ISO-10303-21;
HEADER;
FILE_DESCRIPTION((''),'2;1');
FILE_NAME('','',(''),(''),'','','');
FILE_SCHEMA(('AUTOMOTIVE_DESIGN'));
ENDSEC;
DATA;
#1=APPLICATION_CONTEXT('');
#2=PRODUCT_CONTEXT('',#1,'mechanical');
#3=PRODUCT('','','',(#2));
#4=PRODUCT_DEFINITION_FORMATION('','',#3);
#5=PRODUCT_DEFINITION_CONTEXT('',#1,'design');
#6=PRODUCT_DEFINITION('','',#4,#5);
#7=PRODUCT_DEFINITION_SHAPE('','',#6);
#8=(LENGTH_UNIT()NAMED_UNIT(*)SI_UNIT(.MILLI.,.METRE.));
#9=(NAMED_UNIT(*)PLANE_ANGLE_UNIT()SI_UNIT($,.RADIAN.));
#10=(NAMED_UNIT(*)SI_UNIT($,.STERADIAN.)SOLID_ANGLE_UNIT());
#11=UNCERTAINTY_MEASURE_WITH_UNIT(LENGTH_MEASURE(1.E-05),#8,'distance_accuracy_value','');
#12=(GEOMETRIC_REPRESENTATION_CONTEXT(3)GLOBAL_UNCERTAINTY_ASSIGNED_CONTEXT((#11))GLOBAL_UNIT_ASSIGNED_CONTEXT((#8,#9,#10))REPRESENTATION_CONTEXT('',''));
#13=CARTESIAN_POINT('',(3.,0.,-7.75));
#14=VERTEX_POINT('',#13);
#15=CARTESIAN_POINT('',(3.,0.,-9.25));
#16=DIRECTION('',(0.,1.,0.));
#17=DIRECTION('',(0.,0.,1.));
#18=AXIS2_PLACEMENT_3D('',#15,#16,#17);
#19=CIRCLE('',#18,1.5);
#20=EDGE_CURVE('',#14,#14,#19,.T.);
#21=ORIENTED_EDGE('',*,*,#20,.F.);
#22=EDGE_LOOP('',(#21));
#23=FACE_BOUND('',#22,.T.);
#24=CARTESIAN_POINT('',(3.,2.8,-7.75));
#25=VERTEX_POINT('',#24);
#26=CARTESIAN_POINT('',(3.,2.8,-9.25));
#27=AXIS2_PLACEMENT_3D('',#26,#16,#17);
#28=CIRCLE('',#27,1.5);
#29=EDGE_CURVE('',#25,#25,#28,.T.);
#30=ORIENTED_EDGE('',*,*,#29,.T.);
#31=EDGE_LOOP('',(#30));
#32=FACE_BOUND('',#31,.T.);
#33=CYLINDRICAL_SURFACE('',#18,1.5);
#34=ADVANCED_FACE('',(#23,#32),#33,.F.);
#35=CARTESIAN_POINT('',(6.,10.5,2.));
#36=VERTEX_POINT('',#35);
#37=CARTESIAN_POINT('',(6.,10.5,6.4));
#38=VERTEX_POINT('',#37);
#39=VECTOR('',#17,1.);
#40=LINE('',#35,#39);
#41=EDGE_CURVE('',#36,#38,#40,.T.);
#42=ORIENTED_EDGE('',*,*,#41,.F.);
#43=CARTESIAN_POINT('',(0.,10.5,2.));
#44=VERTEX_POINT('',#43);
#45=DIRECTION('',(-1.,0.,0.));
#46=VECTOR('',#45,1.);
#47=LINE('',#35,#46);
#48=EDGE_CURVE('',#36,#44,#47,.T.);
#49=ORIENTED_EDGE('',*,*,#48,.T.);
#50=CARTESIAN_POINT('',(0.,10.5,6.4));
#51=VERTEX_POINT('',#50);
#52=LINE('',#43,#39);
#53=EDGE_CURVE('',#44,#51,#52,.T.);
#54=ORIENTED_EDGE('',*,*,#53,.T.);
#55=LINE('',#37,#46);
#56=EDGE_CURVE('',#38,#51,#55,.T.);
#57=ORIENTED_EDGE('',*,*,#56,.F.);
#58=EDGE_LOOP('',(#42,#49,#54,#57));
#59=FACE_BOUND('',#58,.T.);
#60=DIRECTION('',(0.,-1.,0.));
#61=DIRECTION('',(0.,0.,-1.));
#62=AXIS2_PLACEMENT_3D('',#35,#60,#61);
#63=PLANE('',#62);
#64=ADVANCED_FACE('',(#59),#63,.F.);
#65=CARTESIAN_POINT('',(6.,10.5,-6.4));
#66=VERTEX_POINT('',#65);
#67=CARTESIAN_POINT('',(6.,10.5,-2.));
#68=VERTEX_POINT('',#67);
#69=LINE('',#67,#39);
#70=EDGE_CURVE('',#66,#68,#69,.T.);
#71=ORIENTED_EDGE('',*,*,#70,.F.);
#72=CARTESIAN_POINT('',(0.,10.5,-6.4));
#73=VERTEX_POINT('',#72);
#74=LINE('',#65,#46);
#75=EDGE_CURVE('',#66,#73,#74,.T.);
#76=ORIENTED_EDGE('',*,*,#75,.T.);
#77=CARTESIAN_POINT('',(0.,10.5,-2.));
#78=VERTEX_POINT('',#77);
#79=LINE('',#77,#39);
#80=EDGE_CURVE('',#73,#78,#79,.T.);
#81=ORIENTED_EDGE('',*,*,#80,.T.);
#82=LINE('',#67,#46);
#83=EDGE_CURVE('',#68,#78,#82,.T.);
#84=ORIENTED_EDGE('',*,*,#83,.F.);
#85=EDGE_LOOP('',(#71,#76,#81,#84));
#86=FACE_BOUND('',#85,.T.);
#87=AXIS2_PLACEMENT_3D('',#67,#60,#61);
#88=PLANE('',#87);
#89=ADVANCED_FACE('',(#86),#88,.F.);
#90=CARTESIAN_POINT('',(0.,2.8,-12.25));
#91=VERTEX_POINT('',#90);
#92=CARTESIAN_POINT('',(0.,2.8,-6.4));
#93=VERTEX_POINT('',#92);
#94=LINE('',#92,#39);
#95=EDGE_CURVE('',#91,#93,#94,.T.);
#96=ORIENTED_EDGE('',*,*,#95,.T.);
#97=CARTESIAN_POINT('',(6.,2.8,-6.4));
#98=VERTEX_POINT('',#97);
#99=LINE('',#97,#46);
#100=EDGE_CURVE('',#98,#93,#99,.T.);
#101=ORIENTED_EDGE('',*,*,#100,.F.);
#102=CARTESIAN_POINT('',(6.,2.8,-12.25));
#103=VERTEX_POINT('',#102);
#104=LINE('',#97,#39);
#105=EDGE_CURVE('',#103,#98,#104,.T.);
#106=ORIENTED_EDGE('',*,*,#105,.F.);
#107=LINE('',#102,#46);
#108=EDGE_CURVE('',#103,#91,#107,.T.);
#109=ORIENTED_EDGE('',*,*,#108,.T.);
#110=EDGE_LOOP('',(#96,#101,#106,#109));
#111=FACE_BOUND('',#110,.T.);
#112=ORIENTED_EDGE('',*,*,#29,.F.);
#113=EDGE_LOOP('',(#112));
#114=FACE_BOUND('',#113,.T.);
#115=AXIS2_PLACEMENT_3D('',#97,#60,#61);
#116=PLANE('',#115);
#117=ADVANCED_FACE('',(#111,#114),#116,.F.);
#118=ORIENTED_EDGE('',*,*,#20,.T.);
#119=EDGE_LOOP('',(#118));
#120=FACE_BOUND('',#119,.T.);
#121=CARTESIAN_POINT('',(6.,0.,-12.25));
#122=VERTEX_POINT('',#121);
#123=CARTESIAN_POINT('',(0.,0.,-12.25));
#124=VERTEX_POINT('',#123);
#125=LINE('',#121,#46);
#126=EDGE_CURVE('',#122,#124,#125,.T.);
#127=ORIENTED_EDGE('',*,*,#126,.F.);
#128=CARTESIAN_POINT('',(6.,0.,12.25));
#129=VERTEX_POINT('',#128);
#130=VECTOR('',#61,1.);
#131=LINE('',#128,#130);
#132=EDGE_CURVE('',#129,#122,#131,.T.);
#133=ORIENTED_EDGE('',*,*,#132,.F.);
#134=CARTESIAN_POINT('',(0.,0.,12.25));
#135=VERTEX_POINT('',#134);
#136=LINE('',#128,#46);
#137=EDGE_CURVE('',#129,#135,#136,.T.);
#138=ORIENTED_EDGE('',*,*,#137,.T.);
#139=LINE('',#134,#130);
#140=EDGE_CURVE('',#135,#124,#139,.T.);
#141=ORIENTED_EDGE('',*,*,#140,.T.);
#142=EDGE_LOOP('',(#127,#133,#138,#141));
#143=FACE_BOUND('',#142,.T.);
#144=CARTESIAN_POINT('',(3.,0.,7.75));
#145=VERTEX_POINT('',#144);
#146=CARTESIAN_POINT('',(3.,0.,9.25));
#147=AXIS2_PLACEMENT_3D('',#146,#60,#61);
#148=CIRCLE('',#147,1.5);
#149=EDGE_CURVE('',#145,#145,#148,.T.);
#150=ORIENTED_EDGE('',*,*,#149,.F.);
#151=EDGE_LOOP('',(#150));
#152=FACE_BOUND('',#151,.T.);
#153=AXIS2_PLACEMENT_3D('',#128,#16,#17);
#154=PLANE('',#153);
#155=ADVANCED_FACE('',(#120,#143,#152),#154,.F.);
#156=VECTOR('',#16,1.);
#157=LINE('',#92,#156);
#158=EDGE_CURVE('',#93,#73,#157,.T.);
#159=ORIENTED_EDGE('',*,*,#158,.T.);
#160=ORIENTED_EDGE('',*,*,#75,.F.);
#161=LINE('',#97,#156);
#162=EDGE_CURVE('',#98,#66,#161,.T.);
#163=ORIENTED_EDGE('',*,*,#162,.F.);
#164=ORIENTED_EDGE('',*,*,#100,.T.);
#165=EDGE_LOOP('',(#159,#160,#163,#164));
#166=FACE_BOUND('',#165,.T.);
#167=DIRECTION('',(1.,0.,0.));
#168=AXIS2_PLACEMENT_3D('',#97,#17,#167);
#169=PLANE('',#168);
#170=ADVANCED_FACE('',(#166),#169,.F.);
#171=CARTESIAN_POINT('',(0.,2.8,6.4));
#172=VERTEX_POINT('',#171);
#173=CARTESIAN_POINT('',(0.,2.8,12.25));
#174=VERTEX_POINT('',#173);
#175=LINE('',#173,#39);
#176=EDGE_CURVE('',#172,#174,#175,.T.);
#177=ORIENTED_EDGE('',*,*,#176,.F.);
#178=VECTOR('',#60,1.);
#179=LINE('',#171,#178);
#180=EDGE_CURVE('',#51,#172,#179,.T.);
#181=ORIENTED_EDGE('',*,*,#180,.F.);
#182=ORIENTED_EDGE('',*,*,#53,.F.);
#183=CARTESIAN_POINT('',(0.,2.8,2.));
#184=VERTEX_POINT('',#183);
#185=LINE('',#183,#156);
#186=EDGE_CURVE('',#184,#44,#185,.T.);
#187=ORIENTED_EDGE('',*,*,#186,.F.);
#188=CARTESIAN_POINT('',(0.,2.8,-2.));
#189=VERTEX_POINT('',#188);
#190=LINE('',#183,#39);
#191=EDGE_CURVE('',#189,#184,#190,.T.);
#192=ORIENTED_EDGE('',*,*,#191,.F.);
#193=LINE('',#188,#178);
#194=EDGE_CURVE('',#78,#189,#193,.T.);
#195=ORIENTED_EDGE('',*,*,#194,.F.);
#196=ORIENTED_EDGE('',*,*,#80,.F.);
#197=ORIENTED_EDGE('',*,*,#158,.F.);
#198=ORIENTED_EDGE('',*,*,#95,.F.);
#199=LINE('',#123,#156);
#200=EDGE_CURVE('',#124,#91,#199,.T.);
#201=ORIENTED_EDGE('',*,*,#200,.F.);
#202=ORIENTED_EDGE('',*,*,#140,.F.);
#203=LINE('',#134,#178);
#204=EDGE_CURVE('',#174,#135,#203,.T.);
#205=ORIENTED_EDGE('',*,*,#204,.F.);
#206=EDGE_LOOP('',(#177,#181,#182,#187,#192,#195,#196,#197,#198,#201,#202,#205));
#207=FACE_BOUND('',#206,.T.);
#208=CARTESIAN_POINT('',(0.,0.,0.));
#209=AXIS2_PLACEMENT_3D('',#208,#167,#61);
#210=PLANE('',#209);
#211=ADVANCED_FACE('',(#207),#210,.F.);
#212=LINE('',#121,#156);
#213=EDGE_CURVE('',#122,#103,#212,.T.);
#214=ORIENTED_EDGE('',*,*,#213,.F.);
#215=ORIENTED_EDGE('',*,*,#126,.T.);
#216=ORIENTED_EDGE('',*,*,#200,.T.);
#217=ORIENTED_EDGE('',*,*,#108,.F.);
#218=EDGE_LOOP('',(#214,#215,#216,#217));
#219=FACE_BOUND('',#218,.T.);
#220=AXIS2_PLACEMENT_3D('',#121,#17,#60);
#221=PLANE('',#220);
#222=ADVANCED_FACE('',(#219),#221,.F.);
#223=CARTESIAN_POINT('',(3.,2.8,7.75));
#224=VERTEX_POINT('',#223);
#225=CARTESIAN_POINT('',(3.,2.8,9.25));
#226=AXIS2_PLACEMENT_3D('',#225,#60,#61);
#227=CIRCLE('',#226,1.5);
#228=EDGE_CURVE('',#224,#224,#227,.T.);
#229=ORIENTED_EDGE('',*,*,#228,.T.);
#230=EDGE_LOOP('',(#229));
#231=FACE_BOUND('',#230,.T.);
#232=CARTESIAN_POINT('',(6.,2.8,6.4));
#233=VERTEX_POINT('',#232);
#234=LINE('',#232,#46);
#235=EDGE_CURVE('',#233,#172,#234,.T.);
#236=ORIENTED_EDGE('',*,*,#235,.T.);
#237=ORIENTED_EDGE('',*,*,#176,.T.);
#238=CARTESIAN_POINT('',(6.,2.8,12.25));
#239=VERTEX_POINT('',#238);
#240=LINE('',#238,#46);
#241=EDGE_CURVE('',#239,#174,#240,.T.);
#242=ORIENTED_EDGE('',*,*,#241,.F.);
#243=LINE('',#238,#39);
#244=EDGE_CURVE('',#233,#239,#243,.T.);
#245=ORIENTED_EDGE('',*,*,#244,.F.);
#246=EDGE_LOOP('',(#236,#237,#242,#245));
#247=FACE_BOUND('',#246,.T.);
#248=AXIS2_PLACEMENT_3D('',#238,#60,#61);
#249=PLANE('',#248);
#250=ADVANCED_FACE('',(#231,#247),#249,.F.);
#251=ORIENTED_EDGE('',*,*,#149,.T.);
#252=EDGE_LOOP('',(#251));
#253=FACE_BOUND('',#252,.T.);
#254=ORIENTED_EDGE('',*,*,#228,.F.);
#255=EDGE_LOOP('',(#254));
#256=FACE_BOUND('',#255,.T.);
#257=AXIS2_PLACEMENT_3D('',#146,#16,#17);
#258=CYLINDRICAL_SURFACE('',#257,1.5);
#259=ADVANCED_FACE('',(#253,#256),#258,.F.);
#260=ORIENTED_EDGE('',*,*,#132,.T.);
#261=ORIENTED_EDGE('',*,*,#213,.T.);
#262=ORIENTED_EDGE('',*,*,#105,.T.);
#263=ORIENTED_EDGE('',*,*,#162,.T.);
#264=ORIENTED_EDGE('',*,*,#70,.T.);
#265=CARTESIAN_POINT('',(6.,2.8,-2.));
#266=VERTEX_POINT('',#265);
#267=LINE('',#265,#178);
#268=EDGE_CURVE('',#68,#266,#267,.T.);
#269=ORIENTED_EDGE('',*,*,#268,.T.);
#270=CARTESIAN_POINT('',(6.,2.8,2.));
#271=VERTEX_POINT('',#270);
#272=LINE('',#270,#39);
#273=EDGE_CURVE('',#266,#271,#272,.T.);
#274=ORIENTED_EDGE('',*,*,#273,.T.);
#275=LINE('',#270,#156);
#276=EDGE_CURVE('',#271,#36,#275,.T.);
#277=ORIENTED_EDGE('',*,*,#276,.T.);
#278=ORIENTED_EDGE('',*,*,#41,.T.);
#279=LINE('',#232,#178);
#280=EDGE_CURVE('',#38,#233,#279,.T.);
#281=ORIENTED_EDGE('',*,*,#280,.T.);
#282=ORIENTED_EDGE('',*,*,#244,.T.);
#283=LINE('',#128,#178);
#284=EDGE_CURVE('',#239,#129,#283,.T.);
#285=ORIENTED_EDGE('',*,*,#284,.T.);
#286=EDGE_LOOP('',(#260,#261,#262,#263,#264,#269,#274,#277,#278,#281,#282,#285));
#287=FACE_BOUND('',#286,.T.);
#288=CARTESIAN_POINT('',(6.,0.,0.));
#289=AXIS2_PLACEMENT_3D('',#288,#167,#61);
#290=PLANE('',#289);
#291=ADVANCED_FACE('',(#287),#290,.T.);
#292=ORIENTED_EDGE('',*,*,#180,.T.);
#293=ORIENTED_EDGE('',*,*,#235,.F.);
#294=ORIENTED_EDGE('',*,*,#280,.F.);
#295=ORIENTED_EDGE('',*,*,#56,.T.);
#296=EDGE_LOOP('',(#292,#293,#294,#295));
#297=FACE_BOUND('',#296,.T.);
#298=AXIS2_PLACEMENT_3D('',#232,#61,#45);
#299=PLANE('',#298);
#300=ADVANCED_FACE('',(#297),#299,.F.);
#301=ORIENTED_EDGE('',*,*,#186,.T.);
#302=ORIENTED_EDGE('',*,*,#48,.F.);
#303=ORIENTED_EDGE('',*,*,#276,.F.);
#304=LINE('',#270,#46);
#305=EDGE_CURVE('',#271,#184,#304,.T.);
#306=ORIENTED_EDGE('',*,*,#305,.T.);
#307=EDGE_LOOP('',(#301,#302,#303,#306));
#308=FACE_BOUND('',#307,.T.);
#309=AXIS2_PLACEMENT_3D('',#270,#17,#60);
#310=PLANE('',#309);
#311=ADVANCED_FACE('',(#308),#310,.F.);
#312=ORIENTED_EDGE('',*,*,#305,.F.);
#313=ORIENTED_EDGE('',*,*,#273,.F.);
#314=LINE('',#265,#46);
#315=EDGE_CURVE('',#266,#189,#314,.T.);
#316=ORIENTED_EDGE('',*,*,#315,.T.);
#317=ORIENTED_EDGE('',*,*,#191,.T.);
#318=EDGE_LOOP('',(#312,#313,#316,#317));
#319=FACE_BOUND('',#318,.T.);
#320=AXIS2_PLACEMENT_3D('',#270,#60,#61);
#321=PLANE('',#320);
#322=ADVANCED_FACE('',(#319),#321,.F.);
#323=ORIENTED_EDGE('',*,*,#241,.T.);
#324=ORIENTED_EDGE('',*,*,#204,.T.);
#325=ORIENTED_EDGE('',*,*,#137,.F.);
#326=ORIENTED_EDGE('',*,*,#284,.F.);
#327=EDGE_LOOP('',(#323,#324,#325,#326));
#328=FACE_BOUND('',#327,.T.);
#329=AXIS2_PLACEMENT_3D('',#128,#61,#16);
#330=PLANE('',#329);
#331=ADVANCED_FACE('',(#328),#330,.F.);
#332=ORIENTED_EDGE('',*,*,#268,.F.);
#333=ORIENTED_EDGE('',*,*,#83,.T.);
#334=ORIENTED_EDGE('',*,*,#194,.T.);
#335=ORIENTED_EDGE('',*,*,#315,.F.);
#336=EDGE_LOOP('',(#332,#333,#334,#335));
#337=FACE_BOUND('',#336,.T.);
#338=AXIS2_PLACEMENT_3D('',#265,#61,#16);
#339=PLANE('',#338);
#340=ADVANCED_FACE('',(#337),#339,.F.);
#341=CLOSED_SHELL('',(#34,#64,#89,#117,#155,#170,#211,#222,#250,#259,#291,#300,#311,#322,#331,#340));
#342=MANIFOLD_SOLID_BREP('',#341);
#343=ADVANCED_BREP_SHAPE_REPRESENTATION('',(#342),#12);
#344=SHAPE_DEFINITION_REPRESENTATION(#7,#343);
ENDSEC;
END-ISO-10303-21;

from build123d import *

# Parameters (mm, degrees)
EXTRUDE_1_DEPTH     = 6
SKETCH_2_R          = 1.5
CUT_EXTRUDE_1_DEPTH = 16.663731995


with BuildPart() as part:
    # 草圖1 → 填料-伸長1 (new body)
    with BuildSketch(Plane(origin=(0, 0, 0), x_dir=(0, 0, -1), z_dir=(1, 0, 0))):
        Polygon((-12.25, 0), (12.25, 0), (12.25, 2.8), (6.4, 2.8), (6.4, 10.5), (2, 10.5), (2, 2.8), (-2, 2.8), (-2, 10.5), (-6.4, 10.5), (-6.4, 2.8), (-12.25, 2.8), align=None)
    extrude(amount=EXTRUDE_1_DEPTH)

    # 草圖2 → 除料-伸長1 (cut, through all)
    with BuildSketch(Plane(origin=(0, 2.8, 0), x_dir=(1, 0, 0), z_dir=(0, 1, 0))):
        with Locations(Location((3, 9.25, 0), (0, 0, 270))):
            Circle(SKETCH_2_R)
    cut_extrude_1 = extrude(amount=-CUT_EXTRUDE_1_DEPTH, mode=Mode.SUBTRACT)

    # 鏡射1: 除料-伸長1 across plane
    add(cut_extrude_1.mirror(Plane.XY), mode=Mode.SUBTRACT)


solid = part.part
